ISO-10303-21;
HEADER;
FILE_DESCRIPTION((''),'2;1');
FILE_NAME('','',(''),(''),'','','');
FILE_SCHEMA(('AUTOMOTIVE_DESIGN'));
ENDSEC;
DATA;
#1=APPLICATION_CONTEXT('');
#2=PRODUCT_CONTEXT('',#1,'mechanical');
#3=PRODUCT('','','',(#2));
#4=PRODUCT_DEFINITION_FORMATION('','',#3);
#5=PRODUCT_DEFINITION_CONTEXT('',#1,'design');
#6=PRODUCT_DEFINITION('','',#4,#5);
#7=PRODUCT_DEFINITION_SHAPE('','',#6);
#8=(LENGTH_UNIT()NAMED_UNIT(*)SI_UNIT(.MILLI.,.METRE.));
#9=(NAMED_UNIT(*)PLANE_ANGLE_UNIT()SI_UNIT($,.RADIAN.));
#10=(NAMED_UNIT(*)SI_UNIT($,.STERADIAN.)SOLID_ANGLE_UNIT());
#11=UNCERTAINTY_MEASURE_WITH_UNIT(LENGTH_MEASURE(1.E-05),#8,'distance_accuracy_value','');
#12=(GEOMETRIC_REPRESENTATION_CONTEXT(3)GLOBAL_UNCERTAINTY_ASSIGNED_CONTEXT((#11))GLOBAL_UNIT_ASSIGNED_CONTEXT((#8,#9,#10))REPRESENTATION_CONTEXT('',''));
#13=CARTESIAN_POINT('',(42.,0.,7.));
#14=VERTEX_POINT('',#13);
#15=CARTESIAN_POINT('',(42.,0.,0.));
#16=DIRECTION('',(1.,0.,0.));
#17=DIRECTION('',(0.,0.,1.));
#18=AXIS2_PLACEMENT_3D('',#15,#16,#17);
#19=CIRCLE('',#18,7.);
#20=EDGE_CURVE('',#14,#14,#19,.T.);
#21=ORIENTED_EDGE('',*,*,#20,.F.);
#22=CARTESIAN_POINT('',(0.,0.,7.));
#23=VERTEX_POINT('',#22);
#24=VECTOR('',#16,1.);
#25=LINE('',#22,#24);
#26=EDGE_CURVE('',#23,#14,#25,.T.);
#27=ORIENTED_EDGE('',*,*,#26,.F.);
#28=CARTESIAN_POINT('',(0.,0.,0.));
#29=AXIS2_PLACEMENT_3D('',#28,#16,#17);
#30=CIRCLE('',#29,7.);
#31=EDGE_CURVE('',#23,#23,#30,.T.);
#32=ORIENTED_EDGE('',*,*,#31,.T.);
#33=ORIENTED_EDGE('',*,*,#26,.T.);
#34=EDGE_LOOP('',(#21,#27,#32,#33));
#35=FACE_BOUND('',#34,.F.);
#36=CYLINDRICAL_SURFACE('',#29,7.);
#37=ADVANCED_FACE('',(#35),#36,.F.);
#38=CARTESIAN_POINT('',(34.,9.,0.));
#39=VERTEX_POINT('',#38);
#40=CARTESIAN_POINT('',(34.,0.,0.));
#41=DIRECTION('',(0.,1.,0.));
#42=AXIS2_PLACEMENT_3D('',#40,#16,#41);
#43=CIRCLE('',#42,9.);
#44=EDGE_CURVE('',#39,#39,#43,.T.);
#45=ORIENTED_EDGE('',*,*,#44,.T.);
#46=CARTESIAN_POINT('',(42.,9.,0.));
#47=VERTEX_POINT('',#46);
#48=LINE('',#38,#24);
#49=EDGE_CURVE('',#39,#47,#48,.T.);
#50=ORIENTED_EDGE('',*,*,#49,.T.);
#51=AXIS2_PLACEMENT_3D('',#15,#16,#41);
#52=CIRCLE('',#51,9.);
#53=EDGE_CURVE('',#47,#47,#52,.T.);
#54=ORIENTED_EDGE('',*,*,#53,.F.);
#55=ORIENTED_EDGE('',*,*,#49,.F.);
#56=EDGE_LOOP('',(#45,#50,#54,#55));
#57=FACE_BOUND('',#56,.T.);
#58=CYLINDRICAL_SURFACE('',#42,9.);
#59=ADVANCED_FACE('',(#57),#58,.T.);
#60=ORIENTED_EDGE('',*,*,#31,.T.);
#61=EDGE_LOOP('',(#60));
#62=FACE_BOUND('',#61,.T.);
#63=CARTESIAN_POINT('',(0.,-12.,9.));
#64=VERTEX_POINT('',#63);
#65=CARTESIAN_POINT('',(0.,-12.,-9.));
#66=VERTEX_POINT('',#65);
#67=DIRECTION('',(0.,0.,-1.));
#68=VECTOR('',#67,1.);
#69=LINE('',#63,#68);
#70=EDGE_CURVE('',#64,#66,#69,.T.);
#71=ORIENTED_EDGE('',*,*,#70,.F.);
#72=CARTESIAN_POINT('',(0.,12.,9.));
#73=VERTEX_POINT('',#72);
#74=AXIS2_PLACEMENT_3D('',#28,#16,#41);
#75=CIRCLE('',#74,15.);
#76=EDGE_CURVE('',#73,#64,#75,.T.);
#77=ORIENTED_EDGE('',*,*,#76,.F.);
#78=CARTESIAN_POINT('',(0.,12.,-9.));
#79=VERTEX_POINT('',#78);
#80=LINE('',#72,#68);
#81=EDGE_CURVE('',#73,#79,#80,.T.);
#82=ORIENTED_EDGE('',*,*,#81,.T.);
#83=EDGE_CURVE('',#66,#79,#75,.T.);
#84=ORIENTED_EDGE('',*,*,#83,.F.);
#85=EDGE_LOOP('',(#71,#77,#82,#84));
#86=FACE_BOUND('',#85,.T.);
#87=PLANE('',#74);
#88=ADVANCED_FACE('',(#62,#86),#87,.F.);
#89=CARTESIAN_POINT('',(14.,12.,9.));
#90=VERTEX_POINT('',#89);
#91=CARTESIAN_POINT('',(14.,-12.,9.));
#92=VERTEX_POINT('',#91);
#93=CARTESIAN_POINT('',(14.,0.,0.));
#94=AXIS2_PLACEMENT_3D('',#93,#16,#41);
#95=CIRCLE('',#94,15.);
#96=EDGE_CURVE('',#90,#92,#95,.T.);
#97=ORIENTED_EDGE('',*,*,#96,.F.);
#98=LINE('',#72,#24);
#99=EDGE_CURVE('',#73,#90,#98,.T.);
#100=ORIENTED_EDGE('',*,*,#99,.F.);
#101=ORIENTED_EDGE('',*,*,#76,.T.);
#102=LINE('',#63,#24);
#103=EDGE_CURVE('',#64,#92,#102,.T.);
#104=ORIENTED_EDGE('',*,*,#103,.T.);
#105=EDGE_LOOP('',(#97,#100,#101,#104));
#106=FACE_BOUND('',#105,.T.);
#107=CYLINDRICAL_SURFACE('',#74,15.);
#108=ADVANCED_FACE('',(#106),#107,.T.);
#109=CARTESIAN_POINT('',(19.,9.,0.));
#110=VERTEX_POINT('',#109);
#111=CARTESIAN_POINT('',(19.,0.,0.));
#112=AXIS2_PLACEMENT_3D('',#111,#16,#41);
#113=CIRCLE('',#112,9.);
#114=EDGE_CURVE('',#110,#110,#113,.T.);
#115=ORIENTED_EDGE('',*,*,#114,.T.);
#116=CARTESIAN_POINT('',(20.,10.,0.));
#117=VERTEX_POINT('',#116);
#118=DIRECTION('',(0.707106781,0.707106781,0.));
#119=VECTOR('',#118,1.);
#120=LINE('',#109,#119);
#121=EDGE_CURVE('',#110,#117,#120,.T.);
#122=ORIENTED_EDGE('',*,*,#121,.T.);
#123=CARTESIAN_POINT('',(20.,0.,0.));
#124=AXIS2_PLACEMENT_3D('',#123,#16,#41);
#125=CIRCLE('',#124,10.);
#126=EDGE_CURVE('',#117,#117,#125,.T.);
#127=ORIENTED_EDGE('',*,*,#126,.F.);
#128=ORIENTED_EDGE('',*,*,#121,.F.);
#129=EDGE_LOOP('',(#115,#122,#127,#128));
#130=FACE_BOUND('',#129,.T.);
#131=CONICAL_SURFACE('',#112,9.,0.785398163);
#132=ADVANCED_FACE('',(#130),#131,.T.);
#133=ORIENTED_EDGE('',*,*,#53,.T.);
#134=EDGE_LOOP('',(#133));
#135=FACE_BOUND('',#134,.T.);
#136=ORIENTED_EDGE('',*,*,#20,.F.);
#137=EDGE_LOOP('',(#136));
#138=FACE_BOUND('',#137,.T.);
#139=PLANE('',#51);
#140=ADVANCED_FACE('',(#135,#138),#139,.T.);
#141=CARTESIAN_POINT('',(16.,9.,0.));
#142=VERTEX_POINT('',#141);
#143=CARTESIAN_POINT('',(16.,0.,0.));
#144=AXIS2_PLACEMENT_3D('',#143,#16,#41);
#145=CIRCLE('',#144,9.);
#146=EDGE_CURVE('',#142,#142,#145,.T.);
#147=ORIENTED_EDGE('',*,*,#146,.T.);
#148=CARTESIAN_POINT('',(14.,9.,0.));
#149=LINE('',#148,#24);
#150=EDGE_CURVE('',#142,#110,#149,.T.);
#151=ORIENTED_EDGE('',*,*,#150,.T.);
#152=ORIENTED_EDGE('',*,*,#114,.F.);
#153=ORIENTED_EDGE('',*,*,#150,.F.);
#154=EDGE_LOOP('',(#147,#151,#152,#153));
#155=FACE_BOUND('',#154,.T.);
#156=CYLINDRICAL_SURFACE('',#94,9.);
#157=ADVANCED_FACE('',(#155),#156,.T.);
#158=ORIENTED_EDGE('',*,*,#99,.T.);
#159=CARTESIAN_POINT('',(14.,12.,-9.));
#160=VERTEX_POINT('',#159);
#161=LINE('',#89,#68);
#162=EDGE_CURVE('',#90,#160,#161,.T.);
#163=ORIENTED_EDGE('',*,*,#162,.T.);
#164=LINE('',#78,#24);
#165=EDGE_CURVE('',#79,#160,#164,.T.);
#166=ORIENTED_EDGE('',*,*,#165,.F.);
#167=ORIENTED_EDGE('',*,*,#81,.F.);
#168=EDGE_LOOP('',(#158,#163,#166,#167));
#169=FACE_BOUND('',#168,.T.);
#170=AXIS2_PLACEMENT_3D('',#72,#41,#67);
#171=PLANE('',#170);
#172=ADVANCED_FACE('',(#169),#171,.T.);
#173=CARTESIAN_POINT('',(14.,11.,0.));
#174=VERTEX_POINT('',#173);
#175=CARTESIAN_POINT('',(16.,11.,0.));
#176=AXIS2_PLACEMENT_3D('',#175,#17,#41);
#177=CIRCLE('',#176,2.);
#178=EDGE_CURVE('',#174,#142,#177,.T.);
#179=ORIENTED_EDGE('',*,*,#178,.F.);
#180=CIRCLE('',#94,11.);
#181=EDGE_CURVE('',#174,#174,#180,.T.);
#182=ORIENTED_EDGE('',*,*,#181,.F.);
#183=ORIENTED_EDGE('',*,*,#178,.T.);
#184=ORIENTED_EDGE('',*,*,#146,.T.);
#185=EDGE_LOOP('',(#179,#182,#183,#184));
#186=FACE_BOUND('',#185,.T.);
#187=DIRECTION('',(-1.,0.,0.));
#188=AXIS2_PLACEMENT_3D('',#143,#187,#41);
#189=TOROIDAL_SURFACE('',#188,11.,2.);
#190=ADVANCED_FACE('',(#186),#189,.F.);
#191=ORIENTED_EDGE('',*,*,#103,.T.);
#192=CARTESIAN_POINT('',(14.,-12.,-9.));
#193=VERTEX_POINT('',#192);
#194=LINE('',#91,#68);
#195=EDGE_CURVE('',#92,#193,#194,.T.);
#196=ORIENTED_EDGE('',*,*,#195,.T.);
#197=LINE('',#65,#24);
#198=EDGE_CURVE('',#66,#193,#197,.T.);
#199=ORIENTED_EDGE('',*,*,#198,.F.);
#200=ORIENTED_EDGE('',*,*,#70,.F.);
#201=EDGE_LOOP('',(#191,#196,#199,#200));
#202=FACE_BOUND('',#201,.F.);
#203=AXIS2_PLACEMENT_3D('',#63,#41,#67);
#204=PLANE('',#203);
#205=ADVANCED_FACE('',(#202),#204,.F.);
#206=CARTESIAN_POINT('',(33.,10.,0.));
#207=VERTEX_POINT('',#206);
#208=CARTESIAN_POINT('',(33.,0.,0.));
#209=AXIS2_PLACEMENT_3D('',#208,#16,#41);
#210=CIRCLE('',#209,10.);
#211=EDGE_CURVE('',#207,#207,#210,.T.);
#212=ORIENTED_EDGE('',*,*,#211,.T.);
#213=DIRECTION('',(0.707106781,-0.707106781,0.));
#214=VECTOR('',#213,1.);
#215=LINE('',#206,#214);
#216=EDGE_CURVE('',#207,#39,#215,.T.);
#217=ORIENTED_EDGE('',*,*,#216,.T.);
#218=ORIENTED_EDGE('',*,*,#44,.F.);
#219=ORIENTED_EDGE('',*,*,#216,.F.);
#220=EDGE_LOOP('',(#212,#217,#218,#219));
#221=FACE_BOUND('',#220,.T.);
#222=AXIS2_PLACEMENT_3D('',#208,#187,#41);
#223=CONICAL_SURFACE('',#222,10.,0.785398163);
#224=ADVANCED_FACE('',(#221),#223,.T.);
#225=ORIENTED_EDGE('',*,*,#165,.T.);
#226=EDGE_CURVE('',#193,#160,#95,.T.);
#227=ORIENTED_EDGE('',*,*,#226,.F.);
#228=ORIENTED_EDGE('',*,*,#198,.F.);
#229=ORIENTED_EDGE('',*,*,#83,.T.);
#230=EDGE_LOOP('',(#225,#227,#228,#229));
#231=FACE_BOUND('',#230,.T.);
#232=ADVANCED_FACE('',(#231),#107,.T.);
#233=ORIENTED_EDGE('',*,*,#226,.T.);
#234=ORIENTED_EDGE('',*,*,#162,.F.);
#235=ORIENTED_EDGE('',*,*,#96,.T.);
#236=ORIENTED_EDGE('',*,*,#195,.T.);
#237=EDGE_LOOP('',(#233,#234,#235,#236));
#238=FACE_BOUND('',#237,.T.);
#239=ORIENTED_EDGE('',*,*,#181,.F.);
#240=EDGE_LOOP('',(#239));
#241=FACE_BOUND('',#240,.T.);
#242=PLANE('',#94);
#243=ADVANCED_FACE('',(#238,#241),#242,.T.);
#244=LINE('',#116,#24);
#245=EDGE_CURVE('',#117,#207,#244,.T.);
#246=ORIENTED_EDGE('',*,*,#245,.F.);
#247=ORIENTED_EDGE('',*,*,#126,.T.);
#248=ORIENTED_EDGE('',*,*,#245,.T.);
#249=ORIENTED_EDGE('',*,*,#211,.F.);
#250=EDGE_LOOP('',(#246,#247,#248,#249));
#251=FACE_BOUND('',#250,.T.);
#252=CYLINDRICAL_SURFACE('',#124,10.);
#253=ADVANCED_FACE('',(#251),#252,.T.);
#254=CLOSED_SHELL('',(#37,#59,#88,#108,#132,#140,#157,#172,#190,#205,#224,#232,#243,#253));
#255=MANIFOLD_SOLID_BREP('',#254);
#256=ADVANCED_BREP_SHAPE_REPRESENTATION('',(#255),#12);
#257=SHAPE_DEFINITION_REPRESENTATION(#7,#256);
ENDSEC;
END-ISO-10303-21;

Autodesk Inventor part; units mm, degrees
ref_plane "YZ Plane" through (0, 0, 0) normal (1, 0, 0) x (0, 1, 0)
ref_plane "XZ Plane" through (0, 0, 0) normal (0, 1, 0) x (-1, 0, 0)
ref_plane "XY Plane" through (0, 0, 0) normal (0, 0, 1) x (1, 0, 0)
sketch "Skizze1" plane through (0, 0, 0) normal (0, 0, 1) x (1, 0, 0)
  line L0 (0, 0) -> (42, 0)
  line L1 (0, 0) -> (0, 15)
  line L2 (0, 15) -> (14, 15)
  line L3 (14, 15) -> (14, 9)
  line L4 (14, 9) -> (19, 9)
  line L5 (19, 9) -> (20, 10)
  line L6 (20, 10) -> (33, 10)
  line L7 (33, 10) -> (34, 9)
  line L8 (34, 9) -> (42, 9)
  line L9 (42, 9) -> (42, 0)
  dimension "d0" = 45
  dimension "d1" = 42
  dimension "d2" = 20
  dimension "d3" = 18
  dimension "d4" = 5
  dimension "d5" = 28
  dimension "d6" = 8
  dimension "d7" = 30
revolve "Umdrehung1" add sketch "Skizze1" angle 360 about axis through (0, 0, 0) along (1, 0, 0)
thread "Gewinde1" size "M20x2.5" class "6g" standard "ISO Metric profile" full length
sketch "Skizze2" plane through (0, 0, 0) normal (-1, 0, 0) x (0, 0, 1)
  circle A0 centre (0, 0) radius 15 projected
hole "Bohrung1" at (0, 0, 0) direction (1, 0, 0) diameter 14 depth 42
sketch "Skizze3" plane through (0, 0, 0) normal (-1, 0, 0) x (0, 0, 1)
  circle A0 centre (0, 0) radius 15 projected
  line L0 (9, 12) -> (-9, 12)
  circle A1 centre (0, 0) radius 15 projected
  line L1 (9, -12) -> (-9, -12)
  line L2 (15, 0) -> (-15, 0) construction
  point P0 (-9, -12)
  point P1 (-9, 12)
  dimension "d18" = 24
extrude "Extrusion1" cut sketch "Skizze3" against normal up to surface (14 mm away) contours L0 A0 | A0 L1
fillet "Rundung1" radius 2 1 edges at (14, -9, 0)
properties part number "Arbeitszylinder" material "Titan"
